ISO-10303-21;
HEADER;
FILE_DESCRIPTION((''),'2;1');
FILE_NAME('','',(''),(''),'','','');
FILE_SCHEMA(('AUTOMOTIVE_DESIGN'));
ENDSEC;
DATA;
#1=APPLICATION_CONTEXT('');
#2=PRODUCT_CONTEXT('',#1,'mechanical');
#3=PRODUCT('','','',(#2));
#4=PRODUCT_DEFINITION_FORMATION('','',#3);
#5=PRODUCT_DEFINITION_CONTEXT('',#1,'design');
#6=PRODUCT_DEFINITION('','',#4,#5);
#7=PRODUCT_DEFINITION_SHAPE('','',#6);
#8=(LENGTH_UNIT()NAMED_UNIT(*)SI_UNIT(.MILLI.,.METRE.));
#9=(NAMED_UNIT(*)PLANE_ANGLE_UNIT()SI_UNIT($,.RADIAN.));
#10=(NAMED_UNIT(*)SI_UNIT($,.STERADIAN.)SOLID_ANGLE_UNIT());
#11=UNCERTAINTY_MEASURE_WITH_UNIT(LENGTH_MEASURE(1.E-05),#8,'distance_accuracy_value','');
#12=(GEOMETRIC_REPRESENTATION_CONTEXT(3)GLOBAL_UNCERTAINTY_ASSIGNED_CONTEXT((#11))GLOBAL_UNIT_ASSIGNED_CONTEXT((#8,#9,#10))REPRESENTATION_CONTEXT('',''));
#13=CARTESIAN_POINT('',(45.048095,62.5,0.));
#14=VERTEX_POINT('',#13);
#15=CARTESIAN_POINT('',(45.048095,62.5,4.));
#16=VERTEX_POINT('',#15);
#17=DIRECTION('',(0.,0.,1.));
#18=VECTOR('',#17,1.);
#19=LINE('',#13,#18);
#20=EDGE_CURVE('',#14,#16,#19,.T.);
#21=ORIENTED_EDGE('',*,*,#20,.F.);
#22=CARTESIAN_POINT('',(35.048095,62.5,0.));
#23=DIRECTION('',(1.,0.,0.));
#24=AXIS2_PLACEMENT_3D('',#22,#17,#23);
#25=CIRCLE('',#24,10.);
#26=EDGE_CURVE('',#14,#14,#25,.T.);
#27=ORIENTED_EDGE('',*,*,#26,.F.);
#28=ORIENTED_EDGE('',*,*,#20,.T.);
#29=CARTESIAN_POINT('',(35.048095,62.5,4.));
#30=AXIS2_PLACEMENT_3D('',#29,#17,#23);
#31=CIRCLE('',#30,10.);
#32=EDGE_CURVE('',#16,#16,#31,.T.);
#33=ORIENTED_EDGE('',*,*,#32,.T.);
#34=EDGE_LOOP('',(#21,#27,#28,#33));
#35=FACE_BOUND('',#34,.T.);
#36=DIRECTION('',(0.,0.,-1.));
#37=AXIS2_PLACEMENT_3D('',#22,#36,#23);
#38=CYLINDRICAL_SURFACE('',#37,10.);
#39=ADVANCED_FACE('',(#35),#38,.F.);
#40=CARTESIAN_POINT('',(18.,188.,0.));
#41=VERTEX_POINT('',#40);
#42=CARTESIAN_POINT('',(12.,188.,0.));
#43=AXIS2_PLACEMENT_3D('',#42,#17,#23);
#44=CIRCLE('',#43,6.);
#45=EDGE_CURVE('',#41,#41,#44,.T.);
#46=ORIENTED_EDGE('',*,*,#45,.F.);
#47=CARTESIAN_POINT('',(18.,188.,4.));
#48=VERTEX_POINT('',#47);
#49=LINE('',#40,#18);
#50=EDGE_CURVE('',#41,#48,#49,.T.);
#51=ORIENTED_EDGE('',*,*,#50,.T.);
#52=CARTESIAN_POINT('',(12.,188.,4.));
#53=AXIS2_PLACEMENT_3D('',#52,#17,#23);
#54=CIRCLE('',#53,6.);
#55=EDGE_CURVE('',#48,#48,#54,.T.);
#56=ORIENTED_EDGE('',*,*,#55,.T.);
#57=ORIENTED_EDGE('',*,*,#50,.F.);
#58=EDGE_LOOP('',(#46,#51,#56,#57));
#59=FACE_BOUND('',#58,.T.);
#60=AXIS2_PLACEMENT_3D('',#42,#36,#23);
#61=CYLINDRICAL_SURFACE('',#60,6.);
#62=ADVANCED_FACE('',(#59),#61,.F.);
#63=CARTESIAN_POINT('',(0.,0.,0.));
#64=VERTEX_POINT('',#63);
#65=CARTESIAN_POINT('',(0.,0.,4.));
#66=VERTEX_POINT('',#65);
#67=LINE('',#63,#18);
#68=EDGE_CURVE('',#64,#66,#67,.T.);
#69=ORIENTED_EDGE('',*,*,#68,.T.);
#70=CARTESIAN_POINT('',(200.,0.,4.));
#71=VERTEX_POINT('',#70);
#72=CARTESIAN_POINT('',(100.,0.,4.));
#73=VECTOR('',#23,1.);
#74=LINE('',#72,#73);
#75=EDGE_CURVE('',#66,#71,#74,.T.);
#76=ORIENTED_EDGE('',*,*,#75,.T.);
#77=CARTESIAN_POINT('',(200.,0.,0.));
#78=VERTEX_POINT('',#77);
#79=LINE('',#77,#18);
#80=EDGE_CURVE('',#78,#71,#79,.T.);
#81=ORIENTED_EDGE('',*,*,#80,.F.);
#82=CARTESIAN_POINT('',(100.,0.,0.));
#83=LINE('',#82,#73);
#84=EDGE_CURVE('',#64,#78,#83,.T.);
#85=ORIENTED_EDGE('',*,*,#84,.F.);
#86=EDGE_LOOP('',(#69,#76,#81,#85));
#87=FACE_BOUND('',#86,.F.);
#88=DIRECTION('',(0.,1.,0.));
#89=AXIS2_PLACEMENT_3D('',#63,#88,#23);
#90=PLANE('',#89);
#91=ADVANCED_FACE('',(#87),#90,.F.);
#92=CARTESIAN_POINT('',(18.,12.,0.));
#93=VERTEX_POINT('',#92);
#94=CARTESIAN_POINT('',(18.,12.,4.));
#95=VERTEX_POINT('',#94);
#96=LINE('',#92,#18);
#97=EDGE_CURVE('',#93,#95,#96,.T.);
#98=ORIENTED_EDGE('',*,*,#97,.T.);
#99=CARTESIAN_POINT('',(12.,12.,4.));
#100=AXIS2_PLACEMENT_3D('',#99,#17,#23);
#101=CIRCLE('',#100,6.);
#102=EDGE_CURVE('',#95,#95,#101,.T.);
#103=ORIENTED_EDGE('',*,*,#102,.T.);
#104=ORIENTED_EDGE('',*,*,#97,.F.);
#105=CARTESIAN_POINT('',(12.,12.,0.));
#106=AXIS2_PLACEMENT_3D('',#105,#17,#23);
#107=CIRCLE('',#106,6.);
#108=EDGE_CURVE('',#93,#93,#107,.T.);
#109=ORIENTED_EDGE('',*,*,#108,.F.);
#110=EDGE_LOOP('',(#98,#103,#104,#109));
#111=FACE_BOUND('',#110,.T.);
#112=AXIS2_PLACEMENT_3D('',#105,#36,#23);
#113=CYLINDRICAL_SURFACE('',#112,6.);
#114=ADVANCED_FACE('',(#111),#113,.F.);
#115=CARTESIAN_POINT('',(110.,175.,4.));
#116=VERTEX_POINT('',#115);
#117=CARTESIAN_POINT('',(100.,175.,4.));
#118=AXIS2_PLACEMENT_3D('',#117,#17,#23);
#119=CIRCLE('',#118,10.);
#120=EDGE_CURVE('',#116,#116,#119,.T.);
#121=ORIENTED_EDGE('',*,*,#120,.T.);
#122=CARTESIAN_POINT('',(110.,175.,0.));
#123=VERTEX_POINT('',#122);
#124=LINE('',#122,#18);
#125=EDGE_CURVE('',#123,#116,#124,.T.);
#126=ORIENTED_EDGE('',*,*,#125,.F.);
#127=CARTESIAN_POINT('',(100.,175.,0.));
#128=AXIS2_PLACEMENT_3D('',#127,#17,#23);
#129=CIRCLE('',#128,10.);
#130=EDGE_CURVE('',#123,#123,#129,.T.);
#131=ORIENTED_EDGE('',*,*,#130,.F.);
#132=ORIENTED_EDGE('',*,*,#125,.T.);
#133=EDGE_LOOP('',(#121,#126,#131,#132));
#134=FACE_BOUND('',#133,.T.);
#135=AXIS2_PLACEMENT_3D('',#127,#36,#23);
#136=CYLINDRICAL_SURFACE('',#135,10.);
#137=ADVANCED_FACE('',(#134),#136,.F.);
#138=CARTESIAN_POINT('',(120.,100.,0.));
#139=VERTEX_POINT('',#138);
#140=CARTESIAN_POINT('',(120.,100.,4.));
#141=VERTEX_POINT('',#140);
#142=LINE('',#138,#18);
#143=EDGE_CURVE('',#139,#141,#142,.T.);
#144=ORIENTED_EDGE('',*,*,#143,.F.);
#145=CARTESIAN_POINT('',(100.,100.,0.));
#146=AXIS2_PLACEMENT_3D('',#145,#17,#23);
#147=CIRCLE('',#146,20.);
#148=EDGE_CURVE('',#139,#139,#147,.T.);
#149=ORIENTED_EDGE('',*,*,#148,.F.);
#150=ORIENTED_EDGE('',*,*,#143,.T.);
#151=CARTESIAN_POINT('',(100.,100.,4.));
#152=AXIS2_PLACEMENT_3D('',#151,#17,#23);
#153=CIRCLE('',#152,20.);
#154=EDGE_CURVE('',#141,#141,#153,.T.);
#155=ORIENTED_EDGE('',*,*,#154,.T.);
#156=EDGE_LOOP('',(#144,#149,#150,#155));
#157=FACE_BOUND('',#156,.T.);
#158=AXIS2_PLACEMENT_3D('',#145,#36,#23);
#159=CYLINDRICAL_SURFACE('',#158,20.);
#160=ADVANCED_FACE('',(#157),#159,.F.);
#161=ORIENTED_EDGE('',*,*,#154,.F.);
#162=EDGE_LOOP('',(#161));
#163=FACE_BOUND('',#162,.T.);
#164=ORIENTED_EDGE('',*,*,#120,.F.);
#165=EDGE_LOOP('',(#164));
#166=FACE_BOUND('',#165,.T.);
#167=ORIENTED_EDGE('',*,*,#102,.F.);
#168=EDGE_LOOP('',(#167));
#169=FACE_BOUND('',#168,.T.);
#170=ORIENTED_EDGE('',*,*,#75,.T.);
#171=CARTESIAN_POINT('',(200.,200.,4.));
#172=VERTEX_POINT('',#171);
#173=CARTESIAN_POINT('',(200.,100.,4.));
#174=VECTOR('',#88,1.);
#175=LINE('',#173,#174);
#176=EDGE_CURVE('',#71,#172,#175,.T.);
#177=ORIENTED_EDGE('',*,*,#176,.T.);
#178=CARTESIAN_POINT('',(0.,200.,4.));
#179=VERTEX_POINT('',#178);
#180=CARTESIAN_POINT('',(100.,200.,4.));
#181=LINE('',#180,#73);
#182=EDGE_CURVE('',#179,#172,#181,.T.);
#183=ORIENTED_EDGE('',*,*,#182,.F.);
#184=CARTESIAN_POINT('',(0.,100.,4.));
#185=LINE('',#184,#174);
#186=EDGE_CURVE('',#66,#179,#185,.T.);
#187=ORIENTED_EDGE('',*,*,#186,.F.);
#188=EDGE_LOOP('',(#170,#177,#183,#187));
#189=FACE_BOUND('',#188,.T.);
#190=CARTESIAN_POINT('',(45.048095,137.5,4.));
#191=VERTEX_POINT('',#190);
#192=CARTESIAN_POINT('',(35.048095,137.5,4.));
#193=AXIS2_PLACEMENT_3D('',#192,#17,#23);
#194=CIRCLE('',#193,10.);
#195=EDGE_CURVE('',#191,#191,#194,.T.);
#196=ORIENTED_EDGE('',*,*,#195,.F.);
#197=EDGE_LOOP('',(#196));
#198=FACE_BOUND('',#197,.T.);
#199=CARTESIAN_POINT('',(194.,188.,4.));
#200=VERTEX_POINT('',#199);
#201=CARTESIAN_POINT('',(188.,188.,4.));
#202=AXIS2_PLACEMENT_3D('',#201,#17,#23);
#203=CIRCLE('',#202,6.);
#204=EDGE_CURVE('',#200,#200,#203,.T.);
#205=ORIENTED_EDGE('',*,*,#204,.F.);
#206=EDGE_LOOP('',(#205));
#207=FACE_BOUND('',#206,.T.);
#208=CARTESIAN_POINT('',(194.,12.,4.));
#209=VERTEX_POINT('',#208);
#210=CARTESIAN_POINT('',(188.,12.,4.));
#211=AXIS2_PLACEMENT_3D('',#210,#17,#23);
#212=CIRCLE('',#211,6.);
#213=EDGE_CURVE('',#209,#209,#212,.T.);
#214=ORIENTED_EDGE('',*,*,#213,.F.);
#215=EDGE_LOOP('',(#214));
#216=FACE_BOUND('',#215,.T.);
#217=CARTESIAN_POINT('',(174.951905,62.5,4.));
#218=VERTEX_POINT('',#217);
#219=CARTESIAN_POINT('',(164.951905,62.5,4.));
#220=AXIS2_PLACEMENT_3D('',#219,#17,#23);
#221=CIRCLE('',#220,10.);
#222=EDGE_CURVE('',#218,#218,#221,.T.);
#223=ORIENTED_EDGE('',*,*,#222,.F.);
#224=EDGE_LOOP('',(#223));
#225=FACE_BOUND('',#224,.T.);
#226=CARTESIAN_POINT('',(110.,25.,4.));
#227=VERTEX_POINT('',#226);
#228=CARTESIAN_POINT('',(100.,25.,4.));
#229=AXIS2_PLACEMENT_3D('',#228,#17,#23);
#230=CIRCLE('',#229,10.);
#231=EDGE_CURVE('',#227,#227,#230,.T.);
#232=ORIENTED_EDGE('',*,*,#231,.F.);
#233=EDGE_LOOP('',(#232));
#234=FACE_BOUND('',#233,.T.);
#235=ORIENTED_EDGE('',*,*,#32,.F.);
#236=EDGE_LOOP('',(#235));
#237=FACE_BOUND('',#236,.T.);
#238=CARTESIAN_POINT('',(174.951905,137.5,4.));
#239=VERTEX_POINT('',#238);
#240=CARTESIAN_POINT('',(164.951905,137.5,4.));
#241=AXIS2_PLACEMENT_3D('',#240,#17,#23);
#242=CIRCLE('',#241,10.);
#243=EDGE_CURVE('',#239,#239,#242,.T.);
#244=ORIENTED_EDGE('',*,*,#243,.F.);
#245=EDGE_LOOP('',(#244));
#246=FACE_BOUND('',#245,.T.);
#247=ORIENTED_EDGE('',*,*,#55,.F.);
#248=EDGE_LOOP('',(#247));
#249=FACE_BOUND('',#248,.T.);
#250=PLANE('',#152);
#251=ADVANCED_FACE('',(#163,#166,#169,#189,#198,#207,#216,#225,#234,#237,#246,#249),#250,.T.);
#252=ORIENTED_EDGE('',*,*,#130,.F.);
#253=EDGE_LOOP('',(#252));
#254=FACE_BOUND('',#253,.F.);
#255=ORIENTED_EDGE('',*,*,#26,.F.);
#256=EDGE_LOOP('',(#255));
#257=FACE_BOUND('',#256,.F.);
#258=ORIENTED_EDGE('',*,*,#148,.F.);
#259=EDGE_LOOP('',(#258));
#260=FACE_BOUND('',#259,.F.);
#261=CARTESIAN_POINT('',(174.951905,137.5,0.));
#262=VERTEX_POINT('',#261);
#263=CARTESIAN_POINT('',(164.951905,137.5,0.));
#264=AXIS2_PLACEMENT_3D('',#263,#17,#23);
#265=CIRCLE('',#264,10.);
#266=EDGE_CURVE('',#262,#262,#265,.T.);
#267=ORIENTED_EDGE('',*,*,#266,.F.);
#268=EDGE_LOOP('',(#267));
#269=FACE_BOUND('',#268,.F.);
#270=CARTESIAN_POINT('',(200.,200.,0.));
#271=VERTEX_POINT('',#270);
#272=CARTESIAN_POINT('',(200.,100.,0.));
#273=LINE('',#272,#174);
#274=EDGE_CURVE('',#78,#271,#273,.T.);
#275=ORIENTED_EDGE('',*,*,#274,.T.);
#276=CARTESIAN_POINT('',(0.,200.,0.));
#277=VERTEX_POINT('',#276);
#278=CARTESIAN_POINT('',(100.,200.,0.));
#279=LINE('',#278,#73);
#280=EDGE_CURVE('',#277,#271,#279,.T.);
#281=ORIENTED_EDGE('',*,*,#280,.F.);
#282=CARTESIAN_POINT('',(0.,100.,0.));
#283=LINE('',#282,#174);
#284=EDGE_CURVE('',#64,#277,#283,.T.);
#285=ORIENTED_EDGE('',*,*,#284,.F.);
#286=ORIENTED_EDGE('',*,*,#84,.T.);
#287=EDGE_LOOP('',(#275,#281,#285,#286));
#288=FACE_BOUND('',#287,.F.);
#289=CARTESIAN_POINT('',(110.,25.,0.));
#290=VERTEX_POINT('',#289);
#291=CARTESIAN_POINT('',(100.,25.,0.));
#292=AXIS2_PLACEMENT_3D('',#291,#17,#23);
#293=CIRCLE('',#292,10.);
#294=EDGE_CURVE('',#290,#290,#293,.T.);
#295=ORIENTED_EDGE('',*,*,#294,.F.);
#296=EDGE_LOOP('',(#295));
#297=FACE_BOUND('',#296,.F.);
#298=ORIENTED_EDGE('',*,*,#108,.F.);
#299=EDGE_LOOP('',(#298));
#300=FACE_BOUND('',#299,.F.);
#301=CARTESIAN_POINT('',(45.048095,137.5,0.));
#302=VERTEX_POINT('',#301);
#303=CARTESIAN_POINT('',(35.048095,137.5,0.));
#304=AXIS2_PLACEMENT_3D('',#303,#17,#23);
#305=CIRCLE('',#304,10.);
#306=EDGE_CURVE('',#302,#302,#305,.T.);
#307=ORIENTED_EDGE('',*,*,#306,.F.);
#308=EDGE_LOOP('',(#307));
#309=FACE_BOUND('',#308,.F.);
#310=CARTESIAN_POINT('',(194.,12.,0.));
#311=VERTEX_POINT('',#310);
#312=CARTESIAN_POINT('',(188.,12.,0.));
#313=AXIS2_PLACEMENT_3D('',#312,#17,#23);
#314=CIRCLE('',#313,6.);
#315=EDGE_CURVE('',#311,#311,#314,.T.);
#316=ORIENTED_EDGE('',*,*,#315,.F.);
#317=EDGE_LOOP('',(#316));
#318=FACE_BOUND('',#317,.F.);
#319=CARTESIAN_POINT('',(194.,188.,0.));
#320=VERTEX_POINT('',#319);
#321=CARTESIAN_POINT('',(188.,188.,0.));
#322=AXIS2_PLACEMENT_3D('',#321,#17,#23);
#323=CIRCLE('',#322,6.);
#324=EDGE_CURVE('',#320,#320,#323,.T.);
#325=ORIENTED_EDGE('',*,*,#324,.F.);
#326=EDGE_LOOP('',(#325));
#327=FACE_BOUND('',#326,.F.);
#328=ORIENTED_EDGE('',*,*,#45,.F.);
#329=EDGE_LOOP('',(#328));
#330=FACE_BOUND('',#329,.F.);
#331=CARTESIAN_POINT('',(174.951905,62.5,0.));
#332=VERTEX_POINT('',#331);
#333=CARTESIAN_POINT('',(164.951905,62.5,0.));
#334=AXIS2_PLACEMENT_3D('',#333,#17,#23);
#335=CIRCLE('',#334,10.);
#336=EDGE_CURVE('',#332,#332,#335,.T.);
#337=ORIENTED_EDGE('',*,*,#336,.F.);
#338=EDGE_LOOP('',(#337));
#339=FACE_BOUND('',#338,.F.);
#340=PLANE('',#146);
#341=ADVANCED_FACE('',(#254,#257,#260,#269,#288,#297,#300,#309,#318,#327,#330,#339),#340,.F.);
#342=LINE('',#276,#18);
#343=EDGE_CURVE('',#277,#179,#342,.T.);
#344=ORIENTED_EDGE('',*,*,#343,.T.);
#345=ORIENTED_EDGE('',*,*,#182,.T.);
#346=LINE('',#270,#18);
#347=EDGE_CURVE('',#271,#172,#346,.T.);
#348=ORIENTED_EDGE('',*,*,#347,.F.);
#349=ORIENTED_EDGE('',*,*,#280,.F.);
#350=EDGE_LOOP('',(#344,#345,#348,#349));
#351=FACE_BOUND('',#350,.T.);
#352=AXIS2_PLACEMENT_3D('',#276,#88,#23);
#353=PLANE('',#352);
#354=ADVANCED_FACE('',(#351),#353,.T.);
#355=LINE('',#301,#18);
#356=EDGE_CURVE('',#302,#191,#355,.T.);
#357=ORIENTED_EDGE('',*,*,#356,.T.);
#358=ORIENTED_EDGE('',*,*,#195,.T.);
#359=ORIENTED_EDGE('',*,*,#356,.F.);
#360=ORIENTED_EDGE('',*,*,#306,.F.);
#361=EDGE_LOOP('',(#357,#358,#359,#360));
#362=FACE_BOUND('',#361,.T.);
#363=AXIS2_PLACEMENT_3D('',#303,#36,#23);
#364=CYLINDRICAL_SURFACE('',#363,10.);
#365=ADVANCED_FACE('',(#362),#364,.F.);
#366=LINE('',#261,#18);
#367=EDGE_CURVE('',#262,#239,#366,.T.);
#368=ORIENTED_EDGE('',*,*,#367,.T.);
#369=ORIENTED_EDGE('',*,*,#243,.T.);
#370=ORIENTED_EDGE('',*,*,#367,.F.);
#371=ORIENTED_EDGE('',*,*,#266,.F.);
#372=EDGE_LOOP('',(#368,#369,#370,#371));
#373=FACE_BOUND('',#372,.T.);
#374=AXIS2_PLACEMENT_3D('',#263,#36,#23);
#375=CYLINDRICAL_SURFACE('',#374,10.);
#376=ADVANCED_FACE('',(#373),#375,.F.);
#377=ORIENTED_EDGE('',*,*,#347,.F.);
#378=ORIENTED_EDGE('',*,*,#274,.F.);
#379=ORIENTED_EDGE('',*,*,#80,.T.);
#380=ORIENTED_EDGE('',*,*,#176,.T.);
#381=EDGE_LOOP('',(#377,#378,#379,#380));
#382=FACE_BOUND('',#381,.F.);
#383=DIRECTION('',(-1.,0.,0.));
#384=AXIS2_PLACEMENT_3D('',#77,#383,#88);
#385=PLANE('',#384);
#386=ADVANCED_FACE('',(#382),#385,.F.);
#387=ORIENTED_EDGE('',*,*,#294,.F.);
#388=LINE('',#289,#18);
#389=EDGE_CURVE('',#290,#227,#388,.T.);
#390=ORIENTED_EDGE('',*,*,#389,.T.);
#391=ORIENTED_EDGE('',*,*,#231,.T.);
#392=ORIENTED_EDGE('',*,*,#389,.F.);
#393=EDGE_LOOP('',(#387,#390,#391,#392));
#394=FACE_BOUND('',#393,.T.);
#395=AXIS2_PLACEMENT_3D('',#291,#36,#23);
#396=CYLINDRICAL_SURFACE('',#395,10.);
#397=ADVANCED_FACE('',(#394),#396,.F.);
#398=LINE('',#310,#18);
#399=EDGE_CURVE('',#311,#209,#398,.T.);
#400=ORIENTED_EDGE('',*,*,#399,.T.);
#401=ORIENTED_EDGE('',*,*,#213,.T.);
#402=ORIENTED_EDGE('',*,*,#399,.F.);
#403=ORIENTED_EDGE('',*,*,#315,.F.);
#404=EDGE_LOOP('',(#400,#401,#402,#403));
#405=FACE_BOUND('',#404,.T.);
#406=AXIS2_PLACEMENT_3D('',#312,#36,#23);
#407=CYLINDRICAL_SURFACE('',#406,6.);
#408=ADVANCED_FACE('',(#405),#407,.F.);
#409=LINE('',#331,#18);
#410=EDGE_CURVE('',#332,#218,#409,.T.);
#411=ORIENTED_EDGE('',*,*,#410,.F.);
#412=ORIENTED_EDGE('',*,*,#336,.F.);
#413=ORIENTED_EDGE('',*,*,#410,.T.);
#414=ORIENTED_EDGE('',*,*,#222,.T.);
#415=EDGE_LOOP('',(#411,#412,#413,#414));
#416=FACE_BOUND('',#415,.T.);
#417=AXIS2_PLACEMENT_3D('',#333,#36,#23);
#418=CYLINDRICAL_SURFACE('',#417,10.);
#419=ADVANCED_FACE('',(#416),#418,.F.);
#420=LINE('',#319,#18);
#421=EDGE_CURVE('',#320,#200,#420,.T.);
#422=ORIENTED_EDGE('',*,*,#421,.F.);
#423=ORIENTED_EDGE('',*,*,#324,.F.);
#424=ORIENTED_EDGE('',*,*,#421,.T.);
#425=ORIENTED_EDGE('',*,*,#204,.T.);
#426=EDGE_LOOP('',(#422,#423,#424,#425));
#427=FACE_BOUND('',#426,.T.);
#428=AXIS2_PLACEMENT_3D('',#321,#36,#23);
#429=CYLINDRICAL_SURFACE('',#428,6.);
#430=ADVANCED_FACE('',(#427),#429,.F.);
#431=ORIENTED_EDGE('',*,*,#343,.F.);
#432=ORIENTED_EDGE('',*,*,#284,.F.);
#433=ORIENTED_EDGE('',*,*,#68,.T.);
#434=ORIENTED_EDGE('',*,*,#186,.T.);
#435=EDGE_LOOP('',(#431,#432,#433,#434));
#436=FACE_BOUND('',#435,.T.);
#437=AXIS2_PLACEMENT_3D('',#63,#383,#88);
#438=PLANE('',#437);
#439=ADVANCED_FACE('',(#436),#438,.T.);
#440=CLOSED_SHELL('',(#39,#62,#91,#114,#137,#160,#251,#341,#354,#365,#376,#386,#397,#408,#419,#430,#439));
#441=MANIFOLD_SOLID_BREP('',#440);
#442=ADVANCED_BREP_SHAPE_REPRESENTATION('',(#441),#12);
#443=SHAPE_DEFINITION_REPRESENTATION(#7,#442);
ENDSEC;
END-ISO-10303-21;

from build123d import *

# Parameters (mm, degrees)
SKETCH001_W   = 200
SKETCH001_H   = 200
SKETCH001_R   = 6
SKETCH001_R_2 = 10
SKETCH001_R_3 = 20
PAD_DEPTH     = 4


with BuildPart() as part:
    # Sketch001 → Pad (new body)
    with BuildSketch(Plane.XY):
        with Locations((100, 100)):
            Rectangle(SKETCH001_W, SKETCH001_H)
        with Locations((12, 12)):
            Circle(SKETCH001_R, mode=Mode.SUBTRACT)
        with Locations((12, 188)):
            Circle(SKETCH001_R, mode=Mode.SUBTRACT)
        with Locations((188, 188)):
            Circle(SKETCH001_R, mode=Mode.SUBTRACT)
        with Locations((188, 12)):
            Circle(SKETCH001_R, mode=Mode.SUBTRACT)
        with Locations((100, 175)):
            Circle(SKETCH001_R_2, mode=Mode.SUBTRACT)
        with Locations((35.048095, 137.5)):
            Circle(SKETCH001_R_2, mode=Mode.SUBTRACT)
        with Locations((35.048095, 62.5)):
            Circle(SKETCH001_R_2, mode=Mode.SUBTRACT)
        with Locations((100, 25)):
            Circle(SKETCH001_R_2, mode=Mode.SUBTRACT)
        with Locations((164.951905, 62.5)):
            Circle(SKETCH001_R_2, mode=Mode.SUBTRACT)
        with Locations((164.951905, 137.5)):
            Circle(SKETCH001_R_2, mode=Mode.SUBTRACT)
        with Locations((100, 100)):
            Circle(SKETCH001_R_3, mode=Mode.SUBTRACT)
    extrude(amount=PAD_DEPTH)


solid = part.part
